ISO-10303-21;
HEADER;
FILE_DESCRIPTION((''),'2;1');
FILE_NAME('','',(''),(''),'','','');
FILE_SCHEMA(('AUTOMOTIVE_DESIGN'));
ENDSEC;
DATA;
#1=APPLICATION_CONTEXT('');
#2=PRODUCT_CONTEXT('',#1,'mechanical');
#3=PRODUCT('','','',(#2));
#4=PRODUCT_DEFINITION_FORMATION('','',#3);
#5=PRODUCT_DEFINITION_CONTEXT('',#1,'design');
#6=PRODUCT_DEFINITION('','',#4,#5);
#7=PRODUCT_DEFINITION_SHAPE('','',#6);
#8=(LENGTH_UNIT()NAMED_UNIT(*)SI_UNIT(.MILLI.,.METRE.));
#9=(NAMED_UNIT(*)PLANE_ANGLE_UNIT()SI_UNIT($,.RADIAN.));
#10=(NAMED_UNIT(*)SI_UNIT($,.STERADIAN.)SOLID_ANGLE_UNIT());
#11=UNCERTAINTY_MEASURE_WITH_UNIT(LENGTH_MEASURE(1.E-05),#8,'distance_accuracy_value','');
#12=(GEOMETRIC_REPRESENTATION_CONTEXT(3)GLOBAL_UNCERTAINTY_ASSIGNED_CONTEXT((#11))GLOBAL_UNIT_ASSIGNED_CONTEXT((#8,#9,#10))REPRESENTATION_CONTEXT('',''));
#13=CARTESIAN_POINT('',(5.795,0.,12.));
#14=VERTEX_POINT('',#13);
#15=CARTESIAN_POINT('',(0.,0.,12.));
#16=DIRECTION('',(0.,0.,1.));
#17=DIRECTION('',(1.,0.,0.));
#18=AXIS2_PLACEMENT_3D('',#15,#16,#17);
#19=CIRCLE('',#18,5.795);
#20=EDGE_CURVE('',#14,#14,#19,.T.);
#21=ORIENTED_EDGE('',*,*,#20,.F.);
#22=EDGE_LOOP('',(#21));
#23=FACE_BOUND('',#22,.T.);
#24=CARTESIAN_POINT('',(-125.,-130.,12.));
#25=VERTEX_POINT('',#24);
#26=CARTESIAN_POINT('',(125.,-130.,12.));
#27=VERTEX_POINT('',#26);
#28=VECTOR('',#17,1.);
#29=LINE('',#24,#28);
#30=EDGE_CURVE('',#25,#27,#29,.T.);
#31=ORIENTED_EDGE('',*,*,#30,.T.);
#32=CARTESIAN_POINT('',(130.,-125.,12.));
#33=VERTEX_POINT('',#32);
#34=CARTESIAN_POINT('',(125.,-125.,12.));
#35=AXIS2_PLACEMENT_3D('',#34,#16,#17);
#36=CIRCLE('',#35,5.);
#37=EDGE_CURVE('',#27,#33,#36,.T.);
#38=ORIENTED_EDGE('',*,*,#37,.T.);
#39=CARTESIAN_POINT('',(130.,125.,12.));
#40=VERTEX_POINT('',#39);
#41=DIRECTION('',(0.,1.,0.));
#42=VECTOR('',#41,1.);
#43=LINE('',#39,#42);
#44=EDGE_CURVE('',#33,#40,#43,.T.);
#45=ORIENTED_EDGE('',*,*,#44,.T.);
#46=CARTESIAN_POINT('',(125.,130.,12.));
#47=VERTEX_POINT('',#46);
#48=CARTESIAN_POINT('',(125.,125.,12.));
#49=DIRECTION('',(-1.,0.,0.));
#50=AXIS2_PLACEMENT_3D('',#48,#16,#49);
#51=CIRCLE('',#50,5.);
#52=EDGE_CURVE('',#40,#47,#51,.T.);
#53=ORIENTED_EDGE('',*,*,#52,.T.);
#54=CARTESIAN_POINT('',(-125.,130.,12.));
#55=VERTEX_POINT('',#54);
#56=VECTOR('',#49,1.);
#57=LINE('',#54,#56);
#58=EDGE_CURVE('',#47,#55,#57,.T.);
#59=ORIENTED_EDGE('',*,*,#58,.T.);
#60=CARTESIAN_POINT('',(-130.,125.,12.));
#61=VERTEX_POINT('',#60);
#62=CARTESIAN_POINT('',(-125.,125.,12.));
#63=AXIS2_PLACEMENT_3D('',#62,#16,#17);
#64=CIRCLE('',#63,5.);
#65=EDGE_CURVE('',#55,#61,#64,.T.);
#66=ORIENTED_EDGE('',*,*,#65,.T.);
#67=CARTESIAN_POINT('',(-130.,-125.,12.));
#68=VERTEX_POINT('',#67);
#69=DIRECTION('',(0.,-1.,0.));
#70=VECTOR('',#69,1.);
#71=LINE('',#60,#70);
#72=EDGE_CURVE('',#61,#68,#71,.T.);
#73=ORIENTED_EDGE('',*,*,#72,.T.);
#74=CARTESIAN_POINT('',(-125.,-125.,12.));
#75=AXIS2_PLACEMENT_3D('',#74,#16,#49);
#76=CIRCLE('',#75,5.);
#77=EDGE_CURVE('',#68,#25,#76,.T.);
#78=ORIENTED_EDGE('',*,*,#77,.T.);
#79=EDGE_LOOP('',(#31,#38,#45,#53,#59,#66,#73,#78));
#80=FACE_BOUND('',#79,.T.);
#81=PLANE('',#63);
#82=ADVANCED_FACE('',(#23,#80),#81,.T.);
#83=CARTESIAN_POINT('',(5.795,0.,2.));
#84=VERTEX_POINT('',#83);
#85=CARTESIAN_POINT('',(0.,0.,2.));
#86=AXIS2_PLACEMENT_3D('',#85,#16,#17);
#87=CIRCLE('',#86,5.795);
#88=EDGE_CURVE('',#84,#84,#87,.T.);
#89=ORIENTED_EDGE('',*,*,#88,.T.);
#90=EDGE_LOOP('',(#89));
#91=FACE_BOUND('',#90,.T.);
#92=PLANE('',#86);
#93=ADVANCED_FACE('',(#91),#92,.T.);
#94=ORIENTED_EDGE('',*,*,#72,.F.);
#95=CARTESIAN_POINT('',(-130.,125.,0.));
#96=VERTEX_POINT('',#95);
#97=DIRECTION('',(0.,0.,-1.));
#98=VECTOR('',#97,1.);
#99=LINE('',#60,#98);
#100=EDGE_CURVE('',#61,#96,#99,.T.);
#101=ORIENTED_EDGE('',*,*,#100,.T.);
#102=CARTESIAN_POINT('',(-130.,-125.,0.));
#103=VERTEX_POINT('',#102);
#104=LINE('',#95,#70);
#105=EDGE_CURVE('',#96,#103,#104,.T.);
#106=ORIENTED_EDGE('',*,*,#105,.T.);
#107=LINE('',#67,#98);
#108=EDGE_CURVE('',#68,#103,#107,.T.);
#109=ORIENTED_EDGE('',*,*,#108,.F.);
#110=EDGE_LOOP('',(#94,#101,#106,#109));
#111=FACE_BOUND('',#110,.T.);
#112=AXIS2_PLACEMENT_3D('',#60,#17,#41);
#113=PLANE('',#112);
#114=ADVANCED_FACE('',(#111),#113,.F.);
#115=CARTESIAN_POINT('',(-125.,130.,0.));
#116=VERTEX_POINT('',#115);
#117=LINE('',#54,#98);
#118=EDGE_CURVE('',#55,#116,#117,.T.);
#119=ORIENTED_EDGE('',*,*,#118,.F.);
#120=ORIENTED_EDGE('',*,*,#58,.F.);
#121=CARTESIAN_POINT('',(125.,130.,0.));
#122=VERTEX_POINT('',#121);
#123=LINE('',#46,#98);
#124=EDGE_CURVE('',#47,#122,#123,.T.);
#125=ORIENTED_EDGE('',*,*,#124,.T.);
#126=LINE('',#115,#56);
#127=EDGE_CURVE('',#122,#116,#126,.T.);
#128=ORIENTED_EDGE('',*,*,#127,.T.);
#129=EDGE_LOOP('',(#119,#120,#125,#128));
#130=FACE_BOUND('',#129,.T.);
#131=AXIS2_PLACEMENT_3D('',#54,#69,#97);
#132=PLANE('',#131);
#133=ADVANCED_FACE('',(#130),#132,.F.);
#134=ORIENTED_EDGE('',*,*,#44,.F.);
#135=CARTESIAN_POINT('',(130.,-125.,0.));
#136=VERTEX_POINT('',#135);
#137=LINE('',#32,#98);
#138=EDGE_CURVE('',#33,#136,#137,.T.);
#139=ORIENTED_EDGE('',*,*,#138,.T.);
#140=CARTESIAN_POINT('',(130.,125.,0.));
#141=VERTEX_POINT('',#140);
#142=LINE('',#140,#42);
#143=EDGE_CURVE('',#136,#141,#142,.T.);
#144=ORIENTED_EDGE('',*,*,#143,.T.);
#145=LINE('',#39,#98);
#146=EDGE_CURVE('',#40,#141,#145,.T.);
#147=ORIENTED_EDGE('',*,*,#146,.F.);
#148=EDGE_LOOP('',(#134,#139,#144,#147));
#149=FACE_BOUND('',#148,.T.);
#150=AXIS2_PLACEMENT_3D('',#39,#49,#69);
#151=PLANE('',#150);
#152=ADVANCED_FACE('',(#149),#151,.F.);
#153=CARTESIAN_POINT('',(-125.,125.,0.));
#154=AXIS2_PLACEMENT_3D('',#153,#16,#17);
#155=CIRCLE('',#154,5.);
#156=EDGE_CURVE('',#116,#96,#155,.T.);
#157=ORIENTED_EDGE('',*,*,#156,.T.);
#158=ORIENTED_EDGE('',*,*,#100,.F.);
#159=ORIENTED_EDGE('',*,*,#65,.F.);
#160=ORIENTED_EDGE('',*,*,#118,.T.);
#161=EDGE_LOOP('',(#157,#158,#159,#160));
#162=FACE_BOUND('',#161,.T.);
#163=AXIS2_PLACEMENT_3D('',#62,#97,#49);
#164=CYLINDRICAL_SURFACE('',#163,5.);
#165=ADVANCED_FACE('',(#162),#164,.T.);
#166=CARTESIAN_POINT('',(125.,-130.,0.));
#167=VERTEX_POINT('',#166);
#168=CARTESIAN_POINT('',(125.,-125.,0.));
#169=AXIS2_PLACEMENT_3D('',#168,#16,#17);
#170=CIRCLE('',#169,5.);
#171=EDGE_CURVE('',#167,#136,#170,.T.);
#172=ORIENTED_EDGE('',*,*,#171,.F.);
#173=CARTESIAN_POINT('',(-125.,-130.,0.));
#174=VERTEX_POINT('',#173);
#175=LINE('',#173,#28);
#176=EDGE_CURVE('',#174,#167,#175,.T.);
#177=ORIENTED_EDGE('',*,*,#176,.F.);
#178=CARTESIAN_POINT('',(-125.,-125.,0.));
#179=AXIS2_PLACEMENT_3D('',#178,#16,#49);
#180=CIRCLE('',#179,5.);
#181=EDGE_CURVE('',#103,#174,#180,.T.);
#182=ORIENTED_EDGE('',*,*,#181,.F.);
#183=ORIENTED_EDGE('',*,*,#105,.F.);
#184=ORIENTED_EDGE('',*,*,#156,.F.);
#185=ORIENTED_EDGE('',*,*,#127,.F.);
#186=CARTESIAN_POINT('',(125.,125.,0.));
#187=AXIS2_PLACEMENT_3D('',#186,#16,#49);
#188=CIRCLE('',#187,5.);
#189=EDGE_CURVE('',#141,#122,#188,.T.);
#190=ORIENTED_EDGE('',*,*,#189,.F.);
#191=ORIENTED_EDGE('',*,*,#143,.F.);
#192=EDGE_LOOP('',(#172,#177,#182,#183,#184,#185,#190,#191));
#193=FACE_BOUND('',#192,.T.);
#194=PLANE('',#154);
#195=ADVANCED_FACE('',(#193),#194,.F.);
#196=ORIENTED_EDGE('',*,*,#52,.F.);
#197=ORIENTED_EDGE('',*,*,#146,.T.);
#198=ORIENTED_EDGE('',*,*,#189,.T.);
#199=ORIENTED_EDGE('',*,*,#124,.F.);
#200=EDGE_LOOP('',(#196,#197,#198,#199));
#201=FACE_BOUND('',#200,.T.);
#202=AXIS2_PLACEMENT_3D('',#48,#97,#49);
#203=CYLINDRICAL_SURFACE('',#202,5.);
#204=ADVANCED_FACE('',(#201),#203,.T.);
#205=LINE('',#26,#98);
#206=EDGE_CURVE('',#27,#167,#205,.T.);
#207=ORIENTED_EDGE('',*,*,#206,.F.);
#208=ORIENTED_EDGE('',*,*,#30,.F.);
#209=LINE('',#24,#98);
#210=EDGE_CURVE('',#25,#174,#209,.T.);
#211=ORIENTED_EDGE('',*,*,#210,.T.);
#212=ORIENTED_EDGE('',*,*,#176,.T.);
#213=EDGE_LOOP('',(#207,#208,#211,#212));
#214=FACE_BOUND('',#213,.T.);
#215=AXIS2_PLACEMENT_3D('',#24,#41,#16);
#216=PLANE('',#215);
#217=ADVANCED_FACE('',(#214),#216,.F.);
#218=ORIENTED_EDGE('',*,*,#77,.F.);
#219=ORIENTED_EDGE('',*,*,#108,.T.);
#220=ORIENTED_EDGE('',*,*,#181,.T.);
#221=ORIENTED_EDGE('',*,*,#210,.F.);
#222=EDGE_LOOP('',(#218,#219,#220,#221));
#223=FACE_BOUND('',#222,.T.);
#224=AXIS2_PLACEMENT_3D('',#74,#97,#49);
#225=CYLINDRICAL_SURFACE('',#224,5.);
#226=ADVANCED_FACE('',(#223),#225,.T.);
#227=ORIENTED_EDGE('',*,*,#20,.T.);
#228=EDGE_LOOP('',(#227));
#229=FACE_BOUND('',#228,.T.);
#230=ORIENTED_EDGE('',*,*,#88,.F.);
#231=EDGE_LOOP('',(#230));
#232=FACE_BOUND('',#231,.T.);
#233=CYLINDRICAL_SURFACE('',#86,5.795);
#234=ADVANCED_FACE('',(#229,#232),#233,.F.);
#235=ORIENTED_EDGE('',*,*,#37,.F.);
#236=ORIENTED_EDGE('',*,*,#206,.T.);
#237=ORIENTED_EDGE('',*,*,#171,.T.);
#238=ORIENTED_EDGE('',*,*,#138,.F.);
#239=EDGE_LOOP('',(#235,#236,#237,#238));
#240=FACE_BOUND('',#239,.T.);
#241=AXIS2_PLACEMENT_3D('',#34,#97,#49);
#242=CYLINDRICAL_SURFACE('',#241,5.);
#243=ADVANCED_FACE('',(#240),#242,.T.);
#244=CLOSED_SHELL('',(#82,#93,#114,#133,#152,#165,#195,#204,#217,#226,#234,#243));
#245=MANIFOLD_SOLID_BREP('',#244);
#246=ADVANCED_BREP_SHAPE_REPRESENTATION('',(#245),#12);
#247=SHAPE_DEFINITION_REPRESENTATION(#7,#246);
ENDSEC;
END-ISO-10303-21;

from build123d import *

# Parameters (mm, degrees)
BOSS_EXTRUDE1_DEPTH = 12
SKETCH2_R           = 5.795
CUT_EXTRUDE1_DEPTH  = 10


with BuildPart() as part:
    # Sketch1 → Boss-Extrude1 (new body)
    with BuildSketch(Plane.XY):
        with BuildLine():
            Line((-125, 130), (125, 130))
            ThreePointArc((125, 130), (128.535533906, 128.535533906), (130, 125))
            Line((130, 125), (130, -125))
            ThreePointArc((130, -125), (128.535533906, -128.535533906), (125, -130))
            Line((125, -130), (-125, -130))
            ThreePointArc((-125, -130), (-128.535533906, -128.535533906), (-130, -125))
            Line((-130, -125), (-130, 125))
            ThreePointArc((-130, 125), (-128.535533906, 128.535533906), (-125, 130))
        make_face()
    extrude(amount=BOSS_EXTRUDE1_DEPTH)

    # Sketch2 → Cut-Extrude1 (cut)
    with BuildSketch(Plane.XY.offset(12)):
        Circle(SKETCH2_R)
    extrude(amount=-CUT_EXTRUDE1_DEPTH, mode=Mode.SUBTRACT)


solid = part.part
